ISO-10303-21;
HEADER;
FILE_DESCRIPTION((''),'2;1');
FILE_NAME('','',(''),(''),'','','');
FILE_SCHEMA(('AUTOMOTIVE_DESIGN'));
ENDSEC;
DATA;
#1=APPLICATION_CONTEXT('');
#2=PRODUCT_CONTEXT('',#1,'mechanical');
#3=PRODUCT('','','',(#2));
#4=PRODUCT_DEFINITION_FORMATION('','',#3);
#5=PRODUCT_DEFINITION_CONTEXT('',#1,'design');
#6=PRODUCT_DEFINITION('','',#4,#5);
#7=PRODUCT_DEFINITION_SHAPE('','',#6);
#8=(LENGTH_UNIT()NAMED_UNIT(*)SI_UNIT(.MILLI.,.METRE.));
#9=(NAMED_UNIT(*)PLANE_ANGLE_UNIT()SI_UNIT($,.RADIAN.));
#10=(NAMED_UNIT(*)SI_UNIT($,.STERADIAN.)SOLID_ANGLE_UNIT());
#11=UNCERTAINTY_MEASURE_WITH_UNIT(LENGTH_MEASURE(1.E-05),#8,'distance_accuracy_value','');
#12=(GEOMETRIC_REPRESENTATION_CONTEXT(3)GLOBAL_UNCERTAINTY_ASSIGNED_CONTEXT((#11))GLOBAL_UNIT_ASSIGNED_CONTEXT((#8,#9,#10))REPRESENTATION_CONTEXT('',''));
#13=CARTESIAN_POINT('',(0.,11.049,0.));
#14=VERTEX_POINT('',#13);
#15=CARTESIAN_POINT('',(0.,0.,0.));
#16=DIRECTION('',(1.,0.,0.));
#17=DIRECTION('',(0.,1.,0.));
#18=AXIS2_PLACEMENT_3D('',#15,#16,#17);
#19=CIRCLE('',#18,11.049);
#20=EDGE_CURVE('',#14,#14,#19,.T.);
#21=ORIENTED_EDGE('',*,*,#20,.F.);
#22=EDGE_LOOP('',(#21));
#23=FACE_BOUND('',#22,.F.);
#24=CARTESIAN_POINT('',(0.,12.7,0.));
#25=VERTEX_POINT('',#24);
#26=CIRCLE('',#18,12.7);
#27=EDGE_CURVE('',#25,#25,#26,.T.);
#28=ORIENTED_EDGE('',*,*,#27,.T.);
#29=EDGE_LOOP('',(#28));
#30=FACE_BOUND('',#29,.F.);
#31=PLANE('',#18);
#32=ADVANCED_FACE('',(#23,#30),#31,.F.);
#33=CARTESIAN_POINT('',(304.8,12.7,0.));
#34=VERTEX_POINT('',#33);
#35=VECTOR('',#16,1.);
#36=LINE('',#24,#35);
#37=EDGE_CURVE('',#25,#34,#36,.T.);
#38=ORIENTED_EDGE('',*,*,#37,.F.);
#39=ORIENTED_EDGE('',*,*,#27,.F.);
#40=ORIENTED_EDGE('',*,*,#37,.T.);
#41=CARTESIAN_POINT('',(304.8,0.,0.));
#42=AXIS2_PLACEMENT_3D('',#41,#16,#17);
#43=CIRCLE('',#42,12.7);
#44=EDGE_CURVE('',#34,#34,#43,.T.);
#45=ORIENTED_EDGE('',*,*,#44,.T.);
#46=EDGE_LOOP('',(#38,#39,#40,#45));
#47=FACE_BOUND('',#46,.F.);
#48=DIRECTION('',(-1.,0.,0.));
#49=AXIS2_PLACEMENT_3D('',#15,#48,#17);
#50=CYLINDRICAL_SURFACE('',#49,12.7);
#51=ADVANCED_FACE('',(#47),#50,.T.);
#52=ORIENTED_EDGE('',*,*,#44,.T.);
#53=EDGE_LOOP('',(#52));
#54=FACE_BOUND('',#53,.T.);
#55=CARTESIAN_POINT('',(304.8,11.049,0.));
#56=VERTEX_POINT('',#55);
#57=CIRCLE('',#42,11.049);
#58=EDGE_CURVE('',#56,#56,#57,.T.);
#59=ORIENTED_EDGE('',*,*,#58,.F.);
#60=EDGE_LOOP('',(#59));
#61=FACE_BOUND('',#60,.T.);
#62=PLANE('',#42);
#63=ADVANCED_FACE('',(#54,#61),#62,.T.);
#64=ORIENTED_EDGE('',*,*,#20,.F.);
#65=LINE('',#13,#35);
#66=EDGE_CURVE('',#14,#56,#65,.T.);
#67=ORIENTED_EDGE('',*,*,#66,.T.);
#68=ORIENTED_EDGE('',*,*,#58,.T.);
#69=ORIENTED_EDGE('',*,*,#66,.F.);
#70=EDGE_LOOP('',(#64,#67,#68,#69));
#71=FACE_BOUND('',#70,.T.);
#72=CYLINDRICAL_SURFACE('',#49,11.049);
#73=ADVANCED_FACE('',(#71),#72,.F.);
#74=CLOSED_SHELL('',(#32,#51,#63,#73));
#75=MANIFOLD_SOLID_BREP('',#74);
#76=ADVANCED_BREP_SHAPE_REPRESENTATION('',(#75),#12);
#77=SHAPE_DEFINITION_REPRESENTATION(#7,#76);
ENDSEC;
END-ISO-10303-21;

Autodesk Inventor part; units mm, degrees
ref_plane "XZ Plane" through (0, 0, 0) normal (0, 1, 0) x (-1, 0, 0)
ref_plane "Start Plane" through (0, 0, 0) normal (1, 0, 0) x (0, 1, 0)
ref_plane "End Plane" through (304.8, 0, 0) normal (1, 0, 0) x (0, 1, 0)
sketch "Sketch" plane through (0, 0, 0) normal (1, 0, 0) x (0, 1, 0)
  circle A0 centre (0, 0) radius 12.7
  circle A1 centre (0, 0) radius 11.049
  dimension "d0" = 25.4
  dimension "d1" = 1.651
extrude "Body" add sketch "Sketch" along normal up to surface (304.8 mm away) from surface at 0
sketch "Sketch2" plane through (0, 0, 0) normal (1, 0, 0) x (0, 1, 0)
  line L0 (0, 0) -> (10, 0)
ref_plane "Work Plane3" through (0, 0, 0) normal (0, 0, -1) x (0, 1, 0)
sketch "Sketch3" plane through (0, 0, 0) normal (0, 0, -1) x (0, 1, 0)
  line L0 (-2, 0) -> (12, 0)
  line L1 (-2, 304.8) -> (12, 304.8)
  dimension "d9" = 304.8
equation "\"G_OFFSET_START\" = 0"
equation "\"G_OFFSET_END\" = 0"
equation "\"d5\" = d2 + G_OFFSET_END"
equation "\"G_L\" = d9"
equation "\"d2\" = 304.8"
properties part number "4130_1x0.065" material "Steel, Alloy"
